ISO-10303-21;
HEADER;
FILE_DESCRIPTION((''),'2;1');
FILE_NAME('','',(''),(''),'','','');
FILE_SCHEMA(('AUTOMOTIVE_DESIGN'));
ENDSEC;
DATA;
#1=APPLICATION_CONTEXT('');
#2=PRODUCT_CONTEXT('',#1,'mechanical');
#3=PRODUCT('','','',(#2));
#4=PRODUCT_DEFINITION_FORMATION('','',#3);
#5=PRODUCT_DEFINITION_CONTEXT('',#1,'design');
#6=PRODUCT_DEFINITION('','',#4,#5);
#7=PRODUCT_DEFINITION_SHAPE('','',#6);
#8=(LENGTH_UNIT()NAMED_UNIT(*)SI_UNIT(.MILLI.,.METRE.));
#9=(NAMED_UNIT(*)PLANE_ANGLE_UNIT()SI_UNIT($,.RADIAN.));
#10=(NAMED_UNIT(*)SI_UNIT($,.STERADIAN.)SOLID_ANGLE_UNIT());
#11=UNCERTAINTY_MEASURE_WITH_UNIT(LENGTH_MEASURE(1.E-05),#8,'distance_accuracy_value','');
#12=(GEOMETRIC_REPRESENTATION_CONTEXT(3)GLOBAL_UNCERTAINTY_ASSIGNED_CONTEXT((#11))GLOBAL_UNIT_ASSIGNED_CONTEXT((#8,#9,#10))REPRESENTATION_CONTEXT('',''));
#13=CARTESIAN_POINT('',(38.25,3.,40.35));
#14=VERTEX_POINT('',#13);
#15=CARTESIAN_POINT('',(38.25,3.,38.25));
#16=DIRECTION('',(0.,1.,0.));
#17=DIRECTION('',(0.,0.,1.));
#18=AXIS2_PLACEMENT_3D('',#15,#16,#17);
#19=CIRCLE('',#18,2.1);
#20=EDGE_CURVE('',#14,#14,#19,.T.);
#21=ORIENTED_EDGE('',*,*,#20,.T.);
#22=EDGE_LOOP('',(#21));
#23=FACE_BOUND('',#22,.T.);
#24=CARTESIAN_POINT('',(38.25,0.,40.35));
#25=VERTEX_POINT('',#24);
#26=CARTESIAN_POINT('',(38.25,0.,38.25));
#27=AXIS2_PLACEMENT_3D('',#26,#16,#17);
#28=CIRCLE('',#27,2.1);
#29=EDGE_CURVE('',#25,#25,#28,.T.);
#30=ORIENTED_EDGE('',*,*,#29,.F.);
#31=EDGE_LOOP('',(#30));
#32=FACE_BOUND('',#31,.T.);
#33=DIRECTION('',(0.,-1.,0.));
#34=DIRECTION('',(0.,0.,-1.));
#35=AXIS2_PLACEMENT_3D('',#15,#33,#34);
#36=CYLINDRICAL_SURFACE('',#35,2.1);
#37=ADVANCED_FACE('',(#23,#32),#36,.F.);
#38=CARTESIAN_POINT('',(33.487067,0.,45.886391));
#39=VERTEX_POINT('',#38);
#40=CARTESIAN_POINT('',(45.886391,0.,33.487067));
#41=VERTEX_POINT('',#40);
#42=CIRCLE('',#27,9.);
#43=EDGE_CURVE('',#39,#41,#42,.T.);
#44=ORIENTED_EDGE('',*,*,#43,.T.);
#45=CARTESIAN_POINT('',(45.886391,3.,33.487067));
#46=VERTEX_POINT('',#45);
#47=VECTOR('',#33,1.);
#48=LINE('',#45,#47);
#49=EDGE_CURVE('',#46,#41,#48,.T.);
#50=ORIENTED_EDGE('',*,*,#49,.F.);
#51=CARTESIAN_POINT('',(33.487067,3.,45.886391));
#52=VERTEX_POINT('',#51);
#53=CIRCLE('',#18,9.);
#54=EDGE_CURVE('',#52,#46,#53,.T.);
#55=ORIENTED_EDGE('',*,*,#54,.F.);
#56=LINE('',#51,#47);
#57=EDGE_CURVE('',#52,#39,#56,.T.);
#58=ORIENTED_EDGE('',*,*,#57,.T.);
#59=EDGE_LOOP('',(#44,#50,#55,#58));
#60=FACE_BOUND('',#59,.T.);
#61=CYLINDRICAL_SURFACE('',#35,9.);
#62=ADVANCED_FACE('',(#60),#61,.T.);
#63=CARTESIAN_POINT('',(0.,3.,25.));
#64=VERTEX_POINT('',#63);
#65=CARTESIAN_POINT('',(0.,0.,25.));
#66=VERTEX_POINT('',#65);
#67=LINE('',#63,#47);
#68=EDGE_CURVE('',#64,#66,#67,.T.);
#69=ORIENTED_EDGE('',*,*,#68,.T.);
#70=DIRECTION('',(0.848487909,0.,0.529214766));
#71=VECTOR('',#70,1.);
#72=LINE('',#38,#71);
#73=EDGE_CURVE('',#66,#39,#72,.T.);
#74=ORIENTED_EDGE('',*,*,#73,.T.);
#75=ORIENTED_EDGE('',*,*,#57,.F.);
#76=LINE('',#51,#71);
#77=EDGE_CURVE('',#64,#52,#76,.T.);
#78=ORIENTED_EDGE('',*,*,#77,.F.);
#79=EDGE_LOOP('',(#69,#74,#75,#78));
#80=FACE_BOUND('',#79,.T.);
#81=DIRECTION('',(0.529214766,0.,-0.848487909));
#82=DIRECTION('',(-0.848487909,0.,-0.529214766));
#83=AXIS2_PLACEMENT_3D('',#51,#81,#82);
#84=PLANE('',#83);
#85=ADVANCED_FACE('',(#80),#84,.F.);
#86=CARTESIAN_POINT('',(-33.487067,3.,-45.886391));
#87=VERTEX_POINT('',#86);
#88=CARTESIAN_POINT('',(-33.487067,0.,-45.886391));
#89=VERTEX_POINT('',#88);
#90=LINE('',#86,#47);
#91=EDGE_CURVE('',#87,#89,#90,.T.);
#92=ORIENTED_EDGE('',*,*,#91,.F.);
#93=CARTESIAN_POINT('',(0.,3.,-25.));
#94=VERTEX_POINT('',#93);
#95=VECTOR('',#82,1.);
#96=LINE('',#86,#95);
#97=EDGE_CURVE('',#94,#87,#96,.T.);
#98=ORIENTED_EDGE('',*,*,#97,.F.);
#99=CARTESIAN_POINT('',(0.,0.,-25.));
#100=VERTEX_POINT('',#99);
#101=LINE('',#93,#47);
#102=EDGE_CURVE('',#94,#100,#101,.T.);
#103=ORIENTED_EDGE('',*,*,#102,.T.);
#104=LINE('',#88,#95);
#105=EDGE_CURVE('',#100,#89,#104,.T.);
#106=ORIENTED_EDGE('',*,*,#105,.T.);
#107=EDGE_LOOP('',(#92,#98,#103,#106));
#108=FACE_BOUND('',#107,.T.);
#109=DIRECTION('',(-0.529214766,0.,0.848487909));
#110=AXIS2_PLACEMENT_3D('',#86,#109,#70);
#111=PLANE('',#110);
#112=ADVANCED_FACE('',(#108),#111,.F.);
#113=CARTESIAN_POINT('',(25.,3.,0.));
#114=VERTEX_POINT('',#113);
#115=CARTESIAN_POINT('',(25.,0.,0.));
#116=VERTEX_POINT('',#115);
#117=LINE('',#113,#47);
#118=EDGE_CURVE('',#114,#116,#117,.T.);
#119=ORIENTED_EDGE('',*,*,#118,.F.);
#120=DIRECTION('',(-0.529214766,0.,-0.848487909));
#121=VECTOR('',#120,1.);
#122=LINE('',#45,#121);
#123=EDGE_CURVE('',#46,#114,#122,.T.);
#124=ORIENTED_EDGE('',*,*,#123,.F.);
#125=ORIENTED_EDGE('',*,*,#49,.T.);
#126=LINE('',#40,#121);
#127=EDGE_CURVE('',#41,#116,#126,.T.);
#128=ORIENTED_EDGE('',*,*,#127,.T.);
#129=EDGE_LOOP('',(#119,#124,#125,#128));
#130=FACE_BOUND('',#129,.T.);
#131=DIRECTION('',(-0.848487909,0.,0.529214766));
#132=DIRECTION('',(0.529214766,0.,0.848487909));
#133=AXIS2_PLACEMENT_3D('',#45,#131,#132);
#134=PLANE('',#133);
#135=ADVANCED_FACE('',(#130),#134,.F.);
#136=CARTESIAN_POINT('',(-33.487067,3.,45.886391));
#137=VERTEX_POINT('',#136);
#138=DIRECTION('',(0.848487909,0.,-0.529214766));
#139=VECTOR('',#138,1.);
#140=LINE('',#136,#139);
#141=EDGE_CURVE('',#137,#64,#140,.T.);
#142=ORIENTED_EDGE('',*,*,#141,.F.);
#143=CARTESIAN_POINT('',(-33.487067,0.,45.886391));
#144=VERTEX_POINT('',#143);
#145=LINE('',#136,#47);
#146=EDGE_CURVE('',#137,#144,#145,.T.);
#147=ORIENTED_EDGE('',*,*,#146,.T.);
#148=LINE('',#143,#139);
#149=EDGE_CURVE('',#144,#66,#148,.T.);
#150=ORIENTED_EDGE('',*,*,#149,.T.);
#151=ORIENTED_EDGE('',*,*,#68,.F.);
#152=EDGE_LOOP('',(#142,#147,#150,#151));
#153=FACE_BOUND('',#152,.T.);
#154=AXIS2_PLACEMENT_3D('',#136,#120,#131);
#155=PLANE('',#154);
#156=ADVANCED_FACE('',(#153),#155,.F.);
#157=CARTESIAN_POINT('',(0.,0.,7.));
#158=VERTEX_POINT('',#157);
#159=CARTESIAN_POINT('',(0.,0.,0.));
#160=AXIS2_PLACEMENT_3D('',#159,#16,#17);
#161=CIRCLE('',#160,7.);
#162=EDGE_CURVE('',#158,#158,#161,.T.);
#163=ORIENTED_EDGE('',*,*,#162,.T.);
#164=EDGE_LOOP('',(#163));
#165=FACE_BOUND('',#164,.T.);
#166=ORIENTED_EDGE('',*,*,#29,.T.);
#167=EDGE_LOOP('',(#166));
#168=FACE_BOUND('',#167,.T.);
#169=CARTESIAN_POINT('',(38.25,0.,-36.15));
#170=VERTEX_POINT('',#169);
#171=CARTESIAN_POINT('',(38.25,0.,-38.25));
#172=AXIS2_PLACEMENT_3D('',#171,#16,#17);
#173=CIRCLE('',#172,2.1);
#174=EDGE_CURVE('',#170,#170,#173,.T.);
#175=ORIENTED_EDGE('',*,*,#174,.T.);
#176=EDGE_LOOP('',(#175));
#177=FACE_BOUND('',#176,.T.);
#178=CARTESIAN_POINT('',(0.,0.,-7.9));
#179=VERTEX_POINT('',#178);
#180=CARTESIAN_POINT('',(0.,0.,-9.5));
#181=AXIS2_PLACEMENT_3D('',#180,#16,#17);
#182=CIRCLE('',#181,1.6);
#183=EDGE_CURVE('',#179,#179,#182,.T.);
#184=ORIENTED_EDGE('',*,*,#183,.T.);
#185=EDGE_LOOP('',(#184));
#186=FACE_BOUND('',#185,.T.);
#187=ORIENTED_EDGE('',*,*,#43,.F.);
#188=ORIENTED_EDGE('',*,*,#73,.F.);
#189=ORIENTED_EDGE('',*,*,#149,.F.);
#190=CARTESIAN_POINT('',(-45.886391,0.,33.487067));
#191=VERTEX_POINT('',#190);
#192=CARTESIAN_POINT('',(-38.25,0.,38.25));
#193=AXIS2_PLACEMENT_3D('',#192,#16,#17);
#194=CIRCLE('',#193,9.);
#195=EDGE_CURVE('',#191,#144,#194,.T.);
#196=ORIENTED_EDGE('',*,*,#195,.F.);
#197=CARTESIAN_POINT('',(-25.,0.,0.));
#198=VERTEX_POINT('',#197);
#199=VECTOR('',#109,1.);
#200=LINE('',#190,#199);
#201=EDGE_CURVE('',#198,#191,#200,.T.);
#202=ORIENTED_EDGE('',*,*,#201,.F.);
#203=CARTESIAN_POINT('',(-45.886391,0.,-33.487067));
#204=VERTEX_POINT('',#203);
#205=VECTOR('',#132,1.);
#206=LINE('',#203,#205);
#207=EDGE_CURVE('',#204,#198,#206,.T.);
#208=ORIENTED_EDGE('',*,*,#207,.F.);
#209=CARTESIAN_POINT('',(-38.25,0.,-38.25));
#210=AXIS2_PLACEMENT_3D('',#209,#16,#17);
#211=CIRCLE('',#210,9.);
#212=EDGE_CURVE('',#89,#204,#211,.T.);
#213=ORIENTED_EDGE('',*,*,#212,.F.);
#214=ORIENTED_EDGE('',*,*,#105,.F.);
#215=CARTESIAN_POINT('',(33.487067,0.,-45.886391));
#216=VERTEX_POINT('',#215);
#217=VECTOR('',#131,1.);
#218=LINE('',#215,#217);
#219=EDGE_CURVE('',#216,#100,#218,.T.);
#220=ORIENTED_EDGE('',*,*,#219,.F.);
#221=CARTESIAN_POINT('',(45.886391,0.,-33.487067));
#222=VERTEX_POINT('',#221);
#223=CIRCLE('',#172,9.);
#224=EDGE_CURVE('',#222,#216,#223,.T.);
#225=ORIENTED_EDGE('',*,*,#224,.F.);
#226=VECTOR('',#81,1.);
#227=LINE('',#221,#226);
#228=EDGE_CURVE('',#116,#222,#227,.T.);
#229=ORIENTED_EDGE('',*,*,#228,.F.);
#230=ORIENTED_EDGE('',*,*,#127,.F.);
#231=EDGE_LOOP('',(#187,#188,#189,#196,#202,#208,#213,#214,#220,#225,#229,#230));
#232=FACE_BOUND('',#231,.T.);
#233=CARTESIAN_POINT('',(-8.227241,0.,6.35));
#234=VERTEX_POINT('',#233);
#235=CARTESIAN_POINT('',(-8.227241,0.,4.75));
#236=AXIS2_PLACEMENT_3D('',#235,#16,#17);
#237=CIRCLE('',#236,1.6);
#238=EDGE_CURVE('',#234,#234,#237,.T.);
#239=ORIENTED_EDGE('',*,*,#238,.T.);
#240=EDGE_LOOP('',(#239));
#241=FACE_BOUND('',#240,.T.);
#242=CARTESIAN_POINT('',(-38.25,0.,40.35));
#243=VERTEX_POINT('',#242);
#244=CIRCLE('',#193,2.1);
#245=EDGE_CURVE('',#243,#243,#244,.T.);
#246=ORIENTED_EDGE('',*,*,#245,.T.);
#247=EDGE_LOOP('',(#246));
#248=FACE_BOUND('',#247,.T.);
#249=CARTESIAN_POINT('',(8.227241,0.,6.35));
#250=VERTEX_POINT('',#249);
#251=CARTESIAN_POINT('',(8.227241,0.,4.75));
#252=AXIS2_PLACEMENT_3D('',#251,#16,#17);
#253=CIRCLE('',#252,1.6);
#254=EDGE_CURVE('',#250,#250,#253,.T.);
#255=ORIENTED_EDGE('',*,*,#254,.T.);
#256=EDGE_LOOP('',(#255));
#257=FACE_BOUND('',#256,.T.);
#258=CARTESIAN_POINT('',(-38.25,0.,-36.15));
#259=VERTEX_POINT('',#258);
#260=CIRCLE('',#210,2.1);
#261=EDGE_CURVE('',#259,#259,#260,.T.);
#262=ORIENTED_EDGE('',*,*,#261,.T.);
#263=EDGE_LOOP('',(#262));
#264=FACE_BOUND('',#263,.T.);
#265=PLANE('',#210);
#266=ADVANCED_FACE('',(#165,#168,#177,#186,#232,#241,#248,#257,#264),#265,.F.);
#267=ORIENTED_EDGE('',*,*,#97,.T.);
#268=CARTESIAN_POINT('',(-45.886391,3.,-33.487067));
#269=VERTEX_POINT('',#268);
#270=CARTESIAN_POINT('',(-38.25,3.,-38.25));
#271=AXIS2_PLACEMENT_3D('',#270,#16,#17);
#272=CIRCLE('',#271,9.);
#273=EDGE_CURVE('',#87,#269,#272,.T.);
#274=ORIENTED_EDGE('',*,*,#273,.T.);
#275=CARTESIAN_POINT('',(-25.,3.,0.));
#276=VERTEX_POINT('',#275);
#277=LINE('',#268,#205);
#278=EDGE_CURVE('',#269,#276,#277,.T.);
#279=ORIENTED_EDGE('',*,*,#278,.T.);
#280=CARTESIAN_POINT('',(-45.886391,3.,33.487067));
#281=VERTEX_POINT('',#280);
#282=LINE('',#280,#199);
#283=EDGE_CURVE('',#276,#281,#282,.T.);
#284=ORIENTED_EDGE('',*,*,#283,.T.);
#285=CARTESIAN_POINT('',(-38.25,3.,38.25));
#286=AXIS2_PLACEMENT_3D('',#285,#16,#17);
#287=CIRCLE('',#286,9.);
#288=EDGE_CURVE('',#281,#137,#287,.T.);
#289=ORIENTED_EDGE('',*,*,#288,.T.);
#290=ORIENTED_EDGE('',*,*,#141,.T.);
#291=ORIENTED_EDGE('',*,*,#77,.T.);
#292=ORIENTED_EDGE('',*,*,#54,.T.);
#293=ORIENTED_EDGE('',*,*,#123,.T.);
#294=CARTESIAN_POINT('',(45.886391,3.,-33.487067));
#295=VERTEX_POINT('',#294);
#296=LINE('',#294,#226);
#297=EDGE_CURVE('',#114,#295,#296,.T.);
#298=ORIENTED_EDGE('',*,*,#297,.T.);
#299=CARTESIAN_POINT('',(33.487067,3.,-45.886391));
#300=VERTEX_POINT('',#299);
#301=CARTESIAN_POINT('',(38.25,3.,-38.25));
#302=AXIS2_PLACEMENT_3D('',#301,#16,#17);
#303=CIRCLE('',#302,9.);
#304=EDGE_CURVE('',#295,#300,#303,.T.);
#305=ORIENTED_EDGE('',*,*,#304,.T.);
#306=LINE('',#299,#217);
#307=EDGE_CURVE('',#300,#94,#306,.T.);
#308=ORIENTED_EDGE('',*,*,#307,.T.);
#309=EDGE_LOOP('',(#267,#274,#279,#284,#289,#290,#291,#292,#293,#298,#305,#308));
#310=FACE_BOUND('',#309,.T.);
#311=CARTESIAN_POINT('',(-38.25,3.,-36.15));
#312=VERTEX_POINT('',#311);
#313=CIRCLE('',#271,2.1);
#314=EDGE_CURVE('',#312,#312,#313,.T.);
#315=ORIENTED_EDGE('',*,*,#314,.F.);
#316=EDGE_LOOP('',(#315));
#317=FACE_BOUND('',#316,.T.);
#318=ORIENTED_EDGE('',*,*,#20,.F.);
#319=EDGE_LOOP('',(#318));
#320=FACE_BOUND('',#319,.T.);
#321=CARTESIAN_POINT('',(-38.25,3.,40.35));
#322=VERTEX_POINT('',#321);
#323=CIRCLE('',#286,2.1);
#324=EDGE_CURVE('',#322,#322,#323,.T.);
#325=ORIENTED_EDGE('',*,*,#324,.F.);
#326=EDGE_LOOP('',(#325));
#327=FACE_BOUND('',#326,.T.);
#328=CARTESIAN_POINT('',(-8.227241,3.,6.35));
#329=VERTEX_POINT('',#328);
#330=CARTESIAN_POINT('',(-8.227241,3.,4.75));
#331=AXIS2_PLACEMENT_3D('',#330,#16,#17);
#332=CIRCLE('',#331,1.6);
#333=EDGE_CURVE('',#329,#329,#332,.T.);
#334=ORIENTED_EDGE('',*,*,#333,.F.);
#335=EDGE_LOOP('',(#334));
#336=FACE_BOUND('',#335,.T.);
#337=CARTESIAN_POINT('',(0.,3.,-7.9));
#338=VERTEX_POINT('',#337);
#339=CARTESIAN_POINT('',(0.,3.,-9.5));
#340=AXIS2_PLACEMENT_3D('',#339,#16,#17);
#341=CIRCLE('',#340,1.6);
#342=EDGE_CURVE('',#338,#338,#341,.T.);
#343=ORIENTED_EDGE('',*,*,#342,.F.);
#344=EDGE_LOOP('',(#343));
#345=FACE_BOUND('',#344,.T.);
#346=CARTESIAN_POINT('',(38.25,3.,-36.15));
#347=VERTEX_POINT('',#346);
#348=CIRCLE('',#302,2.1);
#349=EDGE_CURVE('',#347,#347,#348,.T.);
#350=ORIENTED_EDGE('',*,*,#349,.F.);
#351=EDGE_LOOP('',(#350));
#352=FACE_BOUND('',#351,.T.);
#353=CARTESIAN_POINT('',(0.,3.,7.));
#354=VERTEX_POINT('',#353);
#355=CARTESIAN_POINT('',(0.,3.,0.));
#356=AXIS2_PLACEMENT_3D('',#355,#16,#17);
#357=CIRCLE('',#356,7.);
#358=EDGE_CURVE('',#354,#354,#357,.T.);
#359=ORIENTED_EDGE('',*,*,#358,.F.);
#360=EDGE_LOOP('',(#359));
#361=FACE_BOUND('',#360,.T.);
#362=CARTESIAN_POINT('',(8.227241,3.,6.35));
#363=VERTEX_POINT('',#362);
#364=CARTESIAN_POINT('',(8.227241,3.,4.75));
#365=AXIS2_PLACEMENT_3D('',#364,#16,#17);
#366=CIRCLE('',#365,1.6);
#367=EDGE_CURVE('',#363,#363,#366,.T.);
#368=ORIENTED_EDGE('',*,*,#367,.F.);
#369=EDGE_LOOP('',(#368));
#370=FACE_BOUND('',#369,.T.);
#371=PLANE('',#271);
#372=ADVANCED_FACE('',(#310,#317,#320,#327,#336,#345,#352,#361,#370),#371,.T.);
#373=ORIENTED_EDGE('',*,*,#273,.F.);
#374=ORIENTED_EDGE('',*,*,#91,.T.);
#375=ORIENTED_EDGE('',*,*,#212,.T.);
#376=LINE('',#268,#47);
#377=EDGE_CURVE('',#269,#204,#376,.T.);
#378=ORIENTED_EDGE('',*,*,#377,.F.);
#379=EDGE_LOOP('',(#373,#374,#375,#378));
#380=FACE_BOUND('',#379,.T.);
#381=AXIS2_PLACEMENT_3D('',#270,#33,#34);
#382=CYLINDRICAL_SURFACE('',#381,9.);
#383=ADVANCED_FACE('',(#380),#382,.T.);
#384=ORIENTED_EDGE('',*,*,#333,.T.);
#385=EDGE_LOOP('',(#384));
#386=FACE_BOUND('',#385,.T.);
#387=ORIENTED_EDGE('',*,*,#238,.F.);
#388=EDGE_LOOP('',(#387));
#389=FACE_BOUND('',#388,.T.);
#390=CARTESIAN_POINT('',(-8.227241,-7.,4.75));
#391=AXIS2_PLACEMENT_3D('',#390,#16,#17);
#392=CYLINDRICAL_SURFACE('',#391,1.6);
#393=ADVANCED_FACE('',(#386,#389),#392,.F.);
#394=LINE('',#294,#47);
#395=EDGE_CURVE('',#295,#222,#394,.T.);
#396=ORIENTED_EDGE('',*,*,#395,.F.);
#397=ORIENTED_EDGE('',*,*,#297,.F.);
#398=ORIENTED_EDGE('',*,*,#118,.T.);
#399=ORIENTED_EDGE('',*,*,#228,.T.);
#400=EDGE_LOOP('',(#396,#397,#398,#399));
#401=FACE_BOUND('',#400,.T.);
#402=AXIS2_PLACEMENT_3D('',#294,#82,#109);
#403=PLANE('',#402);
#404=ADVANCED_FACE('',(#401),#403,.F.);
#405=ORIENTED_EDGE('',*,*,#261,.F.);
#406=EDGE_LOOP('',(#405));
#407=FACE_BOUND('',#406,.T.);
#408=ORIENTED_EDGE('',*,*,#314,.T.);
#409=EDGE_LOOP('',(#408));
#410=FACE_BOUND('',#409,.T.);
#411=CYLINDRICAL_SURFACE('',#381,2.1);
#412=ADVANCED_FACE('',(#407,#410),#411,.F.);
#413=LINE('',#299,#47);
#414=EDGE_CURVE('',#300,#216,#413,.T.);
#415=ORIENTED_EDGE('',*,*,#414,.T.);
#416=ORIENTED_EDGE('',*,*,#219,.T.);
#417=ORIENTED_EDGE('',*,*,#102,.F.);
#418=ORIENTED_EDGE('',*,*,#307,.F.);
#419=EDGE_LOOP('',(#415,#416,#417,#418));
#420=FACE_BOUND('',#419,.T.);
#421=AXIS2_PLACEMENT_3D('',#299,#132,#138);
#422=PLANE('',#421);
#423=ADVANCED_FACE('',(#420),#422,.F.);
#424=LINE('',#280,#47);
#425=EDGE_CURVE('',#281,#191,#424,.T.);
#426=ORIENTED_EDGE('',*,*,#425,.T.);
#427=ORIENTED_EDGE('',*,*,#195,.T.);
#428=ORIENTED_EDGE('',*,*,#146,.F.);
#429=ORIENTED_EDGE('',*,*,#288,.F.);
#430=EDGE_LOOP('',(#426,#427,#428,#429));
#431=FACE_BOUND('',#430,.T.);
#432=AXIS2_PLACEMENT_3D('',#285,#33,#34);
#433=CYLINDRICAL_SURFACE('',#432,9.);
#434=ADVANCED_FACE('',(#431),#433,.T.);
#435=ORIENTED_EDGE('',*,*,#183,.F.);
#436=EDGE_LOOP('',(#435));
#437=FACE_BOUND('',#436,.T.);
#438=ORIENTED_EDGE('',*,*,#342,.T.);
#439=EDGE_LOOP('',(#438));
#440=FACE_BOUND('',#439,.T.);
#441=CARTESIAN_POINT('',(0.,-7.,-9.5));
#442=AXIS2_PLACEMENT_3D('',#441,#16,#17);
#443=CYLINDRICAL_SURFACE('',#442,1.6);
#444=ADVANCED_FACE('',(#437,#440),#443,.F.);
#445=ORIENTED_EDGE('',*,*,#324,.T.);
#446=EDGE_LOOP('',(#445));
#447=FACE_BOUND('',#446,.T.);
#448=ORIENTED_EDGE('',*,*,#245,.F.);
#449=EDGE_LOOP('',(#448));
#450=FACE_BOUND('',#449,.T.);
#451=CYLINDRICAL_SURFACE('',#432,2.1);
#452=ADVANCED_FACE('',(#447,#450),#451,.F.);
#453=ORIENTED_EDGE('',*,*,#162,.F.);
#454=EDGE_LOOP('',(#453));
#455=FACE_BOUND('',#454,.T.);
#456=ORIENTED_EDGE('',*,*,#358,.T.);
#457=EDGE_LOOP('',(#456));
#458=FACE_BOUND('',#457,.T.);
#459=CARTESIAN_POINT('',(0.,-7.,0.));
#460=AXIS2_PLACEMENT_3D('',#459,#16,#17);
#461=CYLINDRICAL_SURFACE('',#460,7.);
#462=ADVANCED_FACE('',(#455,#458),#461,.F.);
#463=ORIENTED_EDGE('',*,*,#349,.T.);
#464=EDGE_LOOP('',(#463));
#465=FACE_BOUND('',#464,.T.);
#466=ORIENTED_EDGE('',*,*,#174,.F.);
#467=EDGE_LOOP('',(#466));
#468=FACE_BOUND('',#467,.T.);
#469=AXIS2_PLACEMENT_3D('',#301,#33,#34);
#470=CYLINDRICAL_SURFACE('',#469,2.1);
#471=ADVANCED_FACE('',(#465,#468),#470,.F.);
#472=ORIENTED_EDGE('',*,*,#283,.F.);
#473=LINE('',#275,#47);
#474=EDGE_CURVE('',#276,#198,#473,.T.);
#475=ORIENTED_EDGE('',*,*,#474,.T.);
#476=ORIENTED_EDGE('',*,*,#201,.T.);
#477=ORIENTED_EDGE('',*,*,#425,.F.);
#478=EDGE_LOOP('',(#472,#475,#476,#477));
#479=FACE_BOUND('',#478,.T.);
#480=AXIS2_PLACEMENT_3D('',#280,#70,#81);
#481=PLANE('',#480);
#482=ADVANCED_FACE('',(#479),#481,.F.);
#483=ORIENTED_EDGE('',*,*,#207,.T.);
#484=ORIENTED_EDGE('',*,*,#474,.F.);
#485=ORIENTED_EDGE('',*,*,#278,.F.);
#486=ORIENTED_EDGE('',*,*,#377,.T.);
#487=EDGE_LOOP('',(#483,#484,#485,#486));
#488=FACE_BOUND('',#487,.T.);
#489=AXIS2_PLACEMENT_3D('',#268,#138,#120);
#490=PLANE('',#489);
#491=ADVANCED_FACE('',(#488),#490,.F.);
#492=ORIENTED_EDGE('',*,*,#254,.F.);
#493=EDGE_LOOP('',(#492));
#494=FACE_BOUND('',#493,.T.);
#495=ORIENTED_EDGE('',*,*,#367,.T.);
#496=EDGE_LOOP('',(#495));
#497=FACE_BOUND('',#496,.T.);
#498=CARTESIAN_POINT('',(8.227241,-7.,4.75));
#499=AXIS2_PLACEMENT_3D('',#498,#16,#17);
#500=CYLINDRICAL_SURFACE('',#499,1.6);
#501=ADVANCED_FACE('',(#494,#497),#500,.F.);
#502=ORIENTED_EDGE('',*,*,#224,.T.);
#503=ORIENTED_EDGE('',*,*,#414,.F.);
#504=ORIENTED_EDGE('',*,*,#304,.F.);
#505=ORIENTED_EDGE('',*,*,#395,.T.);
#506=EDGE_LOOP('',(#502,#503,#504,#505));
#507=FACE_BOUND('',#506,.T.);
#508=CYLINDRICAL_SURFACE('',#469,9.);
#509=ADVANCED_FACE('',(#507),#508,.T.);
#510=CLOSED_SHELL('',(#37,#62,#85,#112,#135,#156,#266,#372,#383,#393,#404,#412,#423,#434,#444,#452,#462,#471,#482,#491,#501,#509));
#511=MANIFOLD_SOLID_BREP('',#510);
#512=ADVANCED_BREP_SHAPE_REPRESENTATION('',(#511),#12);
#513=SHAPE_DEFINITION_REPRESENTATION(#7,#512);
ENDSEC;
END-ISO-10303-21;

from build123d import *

# Parameters (mm, degrees)
SKETCH_1_R          = 2.1
EXTRUDE_1_DEPTH     = 3
SKETCH_2_R          = 7
SKETCH_2_R_2        = 1.6
CUT_EXTRUDE_1_DEPTH = 10


with BuildPart() as part:
    # 草图1 → 凸台-拉伸1 (new body)
    with BuildSketch(Plane(origin=(0, 0, 0), x_dir=(1, 0, 0), z_dir=(0, 1, 0))):
        with BuildLine():
            Line((-45.88639118, 33.487067107), (-25, 0))
            Line((-25, 0), (-45.88639118, -33.487067107))
            ThreePointArc((-45.88639118, -33.487067107), (-44.613961031, -44.613961031), (-33.487067107, -45.88639118))
            Line((-33.487067107, -45.88639118), (0, -25))
            Line((0, -25), (33.487067107, -45.88639118))
            ThreePointArc((33.487067107, -45.88639118), (44.613961031, -44.613961031), (45.88639118, -33.487067107))
            Line((45.88639118, -33.487067107), (25, 0))
            Line((25, 0), (45.88639118, 33.487067107))
            ThreePointArc((45.88639118, 33.487067107), (44.613961031, 44.613961031), (33.487067107, 45.88639118))
            Line((33.487067107, 45.88639118), (0, 25))
            Line((0, 25), (-33.487067107, 45.88639118))
            ThreePointArc((-33.487067107, 45.88639118), (-44.613961031, 44.613961031), (-45.88639118, 33.487067107))
        make_face()
        with Locations(Location((38.25, 38.25, 0), (0, 0, 270))):
            Circle(SKETCH_1_R, mode=Mode.SUBTRACT)
        with Locations(Location((-38.25, -38.25, 0), (0, 0, 270))):
            Circle(SKETCH_1_R, mode=Mode.SUBTRACT)
        with Locations(Location((38.25, -38.25, 0), (0, 0, 270))):
            Circle(SKETCH_1_R, mode=Mode.SUBTRACT)
        with Locations(Location((-38.25, 38.25, 0), (0, 0, 270))):
            Circle(SKETCH_1_R, mode=Mode.SUBTRACT)
    extrude(amount=EXTRUDE_1_DEPTH)

    # 草图2 → 切除-拉伸1 (cut)
    with BuildSketch(Plane(origin=(0, 3, 0), x_dir=(1, 0, 0), z_dir=(0, 1, 0))):
        with Locations(Location((0, 0, 0), (0, 0, 270))):
            Circle(SKETCH_2_R)
        with Locations(Location((0, 9.5, 0), (0, 0, 270))):
            Circle(SKETCH_2_R_2)
        with Locations(Location((8.227241336, -4.75, 0), (0, 0, 270))):
            Circle(SKETCH_2_R_2)
        with Locations(Location((-8.227241336, -4.75, 0), (0, 0, 270))):
            Circle(SKETCH_2_R_2)
    extrude(amount=-CUT_EXTRUDE_1_DEPTH, mode=Mode.SUBTRACT)


solid = part.part
